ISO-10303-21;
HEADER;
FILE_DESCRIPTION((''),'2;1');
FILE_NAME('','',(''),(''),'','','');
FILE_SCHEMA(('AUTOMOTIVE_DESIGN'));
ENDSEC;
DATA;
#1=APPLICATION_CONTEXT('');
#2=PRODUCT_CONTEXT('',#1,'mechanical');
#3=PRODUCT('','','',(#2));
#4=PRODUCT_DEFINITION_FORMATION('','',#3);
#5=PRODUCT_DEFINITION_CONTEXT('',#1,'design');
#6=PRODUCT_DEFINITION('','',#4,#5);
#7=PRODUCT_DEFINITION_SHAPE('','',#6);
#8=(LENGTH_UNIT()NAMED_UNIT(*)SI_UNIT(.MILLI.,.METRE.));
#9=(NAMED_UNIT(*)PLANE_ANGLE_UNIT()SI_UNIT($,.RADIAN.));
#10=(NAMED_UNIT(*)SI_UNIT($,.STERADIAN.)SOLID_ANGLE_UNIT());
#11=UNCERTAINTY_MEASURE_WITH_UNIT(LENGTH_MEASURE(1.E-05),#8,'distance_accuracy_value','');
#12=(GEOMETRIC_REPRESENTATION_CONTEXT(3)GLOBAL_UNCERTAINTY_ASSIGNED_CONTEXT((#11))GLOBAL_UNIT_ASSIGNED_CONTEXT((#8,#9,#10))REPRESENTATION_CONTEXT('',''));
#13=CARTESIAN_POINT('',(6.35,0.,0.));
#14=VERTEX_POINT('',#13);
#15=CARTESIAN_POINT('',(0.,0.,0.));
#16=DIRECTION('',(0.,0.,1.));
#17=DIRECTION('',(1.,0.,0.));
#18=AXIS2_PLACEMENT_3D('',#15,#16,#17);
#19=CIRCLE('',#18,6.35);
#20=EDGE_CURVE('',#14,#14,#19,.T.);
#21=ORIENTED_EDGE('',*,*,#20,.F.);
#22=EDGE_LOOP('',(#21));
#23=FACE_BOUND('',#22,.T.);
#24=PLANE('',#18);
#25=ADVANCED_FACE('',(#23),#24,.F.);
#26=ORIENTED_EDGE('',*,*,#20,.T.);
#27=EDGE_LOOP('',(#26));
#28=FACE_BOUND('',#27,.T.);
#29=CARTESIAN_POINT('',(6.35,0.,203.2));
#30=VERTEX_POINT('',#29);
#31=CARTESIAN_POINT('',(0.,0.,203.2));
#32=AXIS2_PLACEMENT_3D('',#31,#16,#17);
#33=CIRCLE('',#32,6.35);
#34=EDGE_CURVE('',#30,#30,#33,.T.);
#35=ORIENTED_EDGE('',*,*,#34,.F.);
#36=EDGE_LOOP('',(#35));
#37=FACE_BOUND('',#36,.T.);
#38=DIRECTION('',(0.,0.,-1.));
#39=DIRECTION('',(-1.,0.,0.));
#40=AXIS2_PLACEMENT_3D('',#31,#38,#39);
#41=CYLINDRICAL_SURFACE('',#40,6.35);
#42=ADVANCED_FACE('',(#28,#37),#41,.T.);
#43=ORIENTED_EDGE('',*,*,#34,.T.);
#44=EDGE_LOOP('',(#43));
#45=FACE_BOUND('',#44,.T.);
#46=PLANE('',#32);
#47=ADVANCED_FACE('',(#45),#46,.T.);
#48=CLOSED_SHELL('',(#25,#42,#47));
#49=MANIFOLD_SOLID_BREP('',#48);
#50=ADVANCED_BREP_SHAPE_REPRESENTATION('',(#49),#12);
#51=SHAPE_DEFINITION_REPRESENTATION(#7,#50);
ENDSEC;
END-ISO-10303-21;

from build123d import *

# Parameters (mm, degrees)
SKETCH1_R           = 6.35
BOSS_EXTRUDE1_DEPTH = 203.2


with BuildPart() as part:
    # Sketch1 → Boss-Extrude1 (new body)
    with BuildSketch(Plane.XY):
        Circle(SKETCH1_R)
    extrude(amount=BOSS_EXTRUDE1_DEPTH)


solid = part.part
